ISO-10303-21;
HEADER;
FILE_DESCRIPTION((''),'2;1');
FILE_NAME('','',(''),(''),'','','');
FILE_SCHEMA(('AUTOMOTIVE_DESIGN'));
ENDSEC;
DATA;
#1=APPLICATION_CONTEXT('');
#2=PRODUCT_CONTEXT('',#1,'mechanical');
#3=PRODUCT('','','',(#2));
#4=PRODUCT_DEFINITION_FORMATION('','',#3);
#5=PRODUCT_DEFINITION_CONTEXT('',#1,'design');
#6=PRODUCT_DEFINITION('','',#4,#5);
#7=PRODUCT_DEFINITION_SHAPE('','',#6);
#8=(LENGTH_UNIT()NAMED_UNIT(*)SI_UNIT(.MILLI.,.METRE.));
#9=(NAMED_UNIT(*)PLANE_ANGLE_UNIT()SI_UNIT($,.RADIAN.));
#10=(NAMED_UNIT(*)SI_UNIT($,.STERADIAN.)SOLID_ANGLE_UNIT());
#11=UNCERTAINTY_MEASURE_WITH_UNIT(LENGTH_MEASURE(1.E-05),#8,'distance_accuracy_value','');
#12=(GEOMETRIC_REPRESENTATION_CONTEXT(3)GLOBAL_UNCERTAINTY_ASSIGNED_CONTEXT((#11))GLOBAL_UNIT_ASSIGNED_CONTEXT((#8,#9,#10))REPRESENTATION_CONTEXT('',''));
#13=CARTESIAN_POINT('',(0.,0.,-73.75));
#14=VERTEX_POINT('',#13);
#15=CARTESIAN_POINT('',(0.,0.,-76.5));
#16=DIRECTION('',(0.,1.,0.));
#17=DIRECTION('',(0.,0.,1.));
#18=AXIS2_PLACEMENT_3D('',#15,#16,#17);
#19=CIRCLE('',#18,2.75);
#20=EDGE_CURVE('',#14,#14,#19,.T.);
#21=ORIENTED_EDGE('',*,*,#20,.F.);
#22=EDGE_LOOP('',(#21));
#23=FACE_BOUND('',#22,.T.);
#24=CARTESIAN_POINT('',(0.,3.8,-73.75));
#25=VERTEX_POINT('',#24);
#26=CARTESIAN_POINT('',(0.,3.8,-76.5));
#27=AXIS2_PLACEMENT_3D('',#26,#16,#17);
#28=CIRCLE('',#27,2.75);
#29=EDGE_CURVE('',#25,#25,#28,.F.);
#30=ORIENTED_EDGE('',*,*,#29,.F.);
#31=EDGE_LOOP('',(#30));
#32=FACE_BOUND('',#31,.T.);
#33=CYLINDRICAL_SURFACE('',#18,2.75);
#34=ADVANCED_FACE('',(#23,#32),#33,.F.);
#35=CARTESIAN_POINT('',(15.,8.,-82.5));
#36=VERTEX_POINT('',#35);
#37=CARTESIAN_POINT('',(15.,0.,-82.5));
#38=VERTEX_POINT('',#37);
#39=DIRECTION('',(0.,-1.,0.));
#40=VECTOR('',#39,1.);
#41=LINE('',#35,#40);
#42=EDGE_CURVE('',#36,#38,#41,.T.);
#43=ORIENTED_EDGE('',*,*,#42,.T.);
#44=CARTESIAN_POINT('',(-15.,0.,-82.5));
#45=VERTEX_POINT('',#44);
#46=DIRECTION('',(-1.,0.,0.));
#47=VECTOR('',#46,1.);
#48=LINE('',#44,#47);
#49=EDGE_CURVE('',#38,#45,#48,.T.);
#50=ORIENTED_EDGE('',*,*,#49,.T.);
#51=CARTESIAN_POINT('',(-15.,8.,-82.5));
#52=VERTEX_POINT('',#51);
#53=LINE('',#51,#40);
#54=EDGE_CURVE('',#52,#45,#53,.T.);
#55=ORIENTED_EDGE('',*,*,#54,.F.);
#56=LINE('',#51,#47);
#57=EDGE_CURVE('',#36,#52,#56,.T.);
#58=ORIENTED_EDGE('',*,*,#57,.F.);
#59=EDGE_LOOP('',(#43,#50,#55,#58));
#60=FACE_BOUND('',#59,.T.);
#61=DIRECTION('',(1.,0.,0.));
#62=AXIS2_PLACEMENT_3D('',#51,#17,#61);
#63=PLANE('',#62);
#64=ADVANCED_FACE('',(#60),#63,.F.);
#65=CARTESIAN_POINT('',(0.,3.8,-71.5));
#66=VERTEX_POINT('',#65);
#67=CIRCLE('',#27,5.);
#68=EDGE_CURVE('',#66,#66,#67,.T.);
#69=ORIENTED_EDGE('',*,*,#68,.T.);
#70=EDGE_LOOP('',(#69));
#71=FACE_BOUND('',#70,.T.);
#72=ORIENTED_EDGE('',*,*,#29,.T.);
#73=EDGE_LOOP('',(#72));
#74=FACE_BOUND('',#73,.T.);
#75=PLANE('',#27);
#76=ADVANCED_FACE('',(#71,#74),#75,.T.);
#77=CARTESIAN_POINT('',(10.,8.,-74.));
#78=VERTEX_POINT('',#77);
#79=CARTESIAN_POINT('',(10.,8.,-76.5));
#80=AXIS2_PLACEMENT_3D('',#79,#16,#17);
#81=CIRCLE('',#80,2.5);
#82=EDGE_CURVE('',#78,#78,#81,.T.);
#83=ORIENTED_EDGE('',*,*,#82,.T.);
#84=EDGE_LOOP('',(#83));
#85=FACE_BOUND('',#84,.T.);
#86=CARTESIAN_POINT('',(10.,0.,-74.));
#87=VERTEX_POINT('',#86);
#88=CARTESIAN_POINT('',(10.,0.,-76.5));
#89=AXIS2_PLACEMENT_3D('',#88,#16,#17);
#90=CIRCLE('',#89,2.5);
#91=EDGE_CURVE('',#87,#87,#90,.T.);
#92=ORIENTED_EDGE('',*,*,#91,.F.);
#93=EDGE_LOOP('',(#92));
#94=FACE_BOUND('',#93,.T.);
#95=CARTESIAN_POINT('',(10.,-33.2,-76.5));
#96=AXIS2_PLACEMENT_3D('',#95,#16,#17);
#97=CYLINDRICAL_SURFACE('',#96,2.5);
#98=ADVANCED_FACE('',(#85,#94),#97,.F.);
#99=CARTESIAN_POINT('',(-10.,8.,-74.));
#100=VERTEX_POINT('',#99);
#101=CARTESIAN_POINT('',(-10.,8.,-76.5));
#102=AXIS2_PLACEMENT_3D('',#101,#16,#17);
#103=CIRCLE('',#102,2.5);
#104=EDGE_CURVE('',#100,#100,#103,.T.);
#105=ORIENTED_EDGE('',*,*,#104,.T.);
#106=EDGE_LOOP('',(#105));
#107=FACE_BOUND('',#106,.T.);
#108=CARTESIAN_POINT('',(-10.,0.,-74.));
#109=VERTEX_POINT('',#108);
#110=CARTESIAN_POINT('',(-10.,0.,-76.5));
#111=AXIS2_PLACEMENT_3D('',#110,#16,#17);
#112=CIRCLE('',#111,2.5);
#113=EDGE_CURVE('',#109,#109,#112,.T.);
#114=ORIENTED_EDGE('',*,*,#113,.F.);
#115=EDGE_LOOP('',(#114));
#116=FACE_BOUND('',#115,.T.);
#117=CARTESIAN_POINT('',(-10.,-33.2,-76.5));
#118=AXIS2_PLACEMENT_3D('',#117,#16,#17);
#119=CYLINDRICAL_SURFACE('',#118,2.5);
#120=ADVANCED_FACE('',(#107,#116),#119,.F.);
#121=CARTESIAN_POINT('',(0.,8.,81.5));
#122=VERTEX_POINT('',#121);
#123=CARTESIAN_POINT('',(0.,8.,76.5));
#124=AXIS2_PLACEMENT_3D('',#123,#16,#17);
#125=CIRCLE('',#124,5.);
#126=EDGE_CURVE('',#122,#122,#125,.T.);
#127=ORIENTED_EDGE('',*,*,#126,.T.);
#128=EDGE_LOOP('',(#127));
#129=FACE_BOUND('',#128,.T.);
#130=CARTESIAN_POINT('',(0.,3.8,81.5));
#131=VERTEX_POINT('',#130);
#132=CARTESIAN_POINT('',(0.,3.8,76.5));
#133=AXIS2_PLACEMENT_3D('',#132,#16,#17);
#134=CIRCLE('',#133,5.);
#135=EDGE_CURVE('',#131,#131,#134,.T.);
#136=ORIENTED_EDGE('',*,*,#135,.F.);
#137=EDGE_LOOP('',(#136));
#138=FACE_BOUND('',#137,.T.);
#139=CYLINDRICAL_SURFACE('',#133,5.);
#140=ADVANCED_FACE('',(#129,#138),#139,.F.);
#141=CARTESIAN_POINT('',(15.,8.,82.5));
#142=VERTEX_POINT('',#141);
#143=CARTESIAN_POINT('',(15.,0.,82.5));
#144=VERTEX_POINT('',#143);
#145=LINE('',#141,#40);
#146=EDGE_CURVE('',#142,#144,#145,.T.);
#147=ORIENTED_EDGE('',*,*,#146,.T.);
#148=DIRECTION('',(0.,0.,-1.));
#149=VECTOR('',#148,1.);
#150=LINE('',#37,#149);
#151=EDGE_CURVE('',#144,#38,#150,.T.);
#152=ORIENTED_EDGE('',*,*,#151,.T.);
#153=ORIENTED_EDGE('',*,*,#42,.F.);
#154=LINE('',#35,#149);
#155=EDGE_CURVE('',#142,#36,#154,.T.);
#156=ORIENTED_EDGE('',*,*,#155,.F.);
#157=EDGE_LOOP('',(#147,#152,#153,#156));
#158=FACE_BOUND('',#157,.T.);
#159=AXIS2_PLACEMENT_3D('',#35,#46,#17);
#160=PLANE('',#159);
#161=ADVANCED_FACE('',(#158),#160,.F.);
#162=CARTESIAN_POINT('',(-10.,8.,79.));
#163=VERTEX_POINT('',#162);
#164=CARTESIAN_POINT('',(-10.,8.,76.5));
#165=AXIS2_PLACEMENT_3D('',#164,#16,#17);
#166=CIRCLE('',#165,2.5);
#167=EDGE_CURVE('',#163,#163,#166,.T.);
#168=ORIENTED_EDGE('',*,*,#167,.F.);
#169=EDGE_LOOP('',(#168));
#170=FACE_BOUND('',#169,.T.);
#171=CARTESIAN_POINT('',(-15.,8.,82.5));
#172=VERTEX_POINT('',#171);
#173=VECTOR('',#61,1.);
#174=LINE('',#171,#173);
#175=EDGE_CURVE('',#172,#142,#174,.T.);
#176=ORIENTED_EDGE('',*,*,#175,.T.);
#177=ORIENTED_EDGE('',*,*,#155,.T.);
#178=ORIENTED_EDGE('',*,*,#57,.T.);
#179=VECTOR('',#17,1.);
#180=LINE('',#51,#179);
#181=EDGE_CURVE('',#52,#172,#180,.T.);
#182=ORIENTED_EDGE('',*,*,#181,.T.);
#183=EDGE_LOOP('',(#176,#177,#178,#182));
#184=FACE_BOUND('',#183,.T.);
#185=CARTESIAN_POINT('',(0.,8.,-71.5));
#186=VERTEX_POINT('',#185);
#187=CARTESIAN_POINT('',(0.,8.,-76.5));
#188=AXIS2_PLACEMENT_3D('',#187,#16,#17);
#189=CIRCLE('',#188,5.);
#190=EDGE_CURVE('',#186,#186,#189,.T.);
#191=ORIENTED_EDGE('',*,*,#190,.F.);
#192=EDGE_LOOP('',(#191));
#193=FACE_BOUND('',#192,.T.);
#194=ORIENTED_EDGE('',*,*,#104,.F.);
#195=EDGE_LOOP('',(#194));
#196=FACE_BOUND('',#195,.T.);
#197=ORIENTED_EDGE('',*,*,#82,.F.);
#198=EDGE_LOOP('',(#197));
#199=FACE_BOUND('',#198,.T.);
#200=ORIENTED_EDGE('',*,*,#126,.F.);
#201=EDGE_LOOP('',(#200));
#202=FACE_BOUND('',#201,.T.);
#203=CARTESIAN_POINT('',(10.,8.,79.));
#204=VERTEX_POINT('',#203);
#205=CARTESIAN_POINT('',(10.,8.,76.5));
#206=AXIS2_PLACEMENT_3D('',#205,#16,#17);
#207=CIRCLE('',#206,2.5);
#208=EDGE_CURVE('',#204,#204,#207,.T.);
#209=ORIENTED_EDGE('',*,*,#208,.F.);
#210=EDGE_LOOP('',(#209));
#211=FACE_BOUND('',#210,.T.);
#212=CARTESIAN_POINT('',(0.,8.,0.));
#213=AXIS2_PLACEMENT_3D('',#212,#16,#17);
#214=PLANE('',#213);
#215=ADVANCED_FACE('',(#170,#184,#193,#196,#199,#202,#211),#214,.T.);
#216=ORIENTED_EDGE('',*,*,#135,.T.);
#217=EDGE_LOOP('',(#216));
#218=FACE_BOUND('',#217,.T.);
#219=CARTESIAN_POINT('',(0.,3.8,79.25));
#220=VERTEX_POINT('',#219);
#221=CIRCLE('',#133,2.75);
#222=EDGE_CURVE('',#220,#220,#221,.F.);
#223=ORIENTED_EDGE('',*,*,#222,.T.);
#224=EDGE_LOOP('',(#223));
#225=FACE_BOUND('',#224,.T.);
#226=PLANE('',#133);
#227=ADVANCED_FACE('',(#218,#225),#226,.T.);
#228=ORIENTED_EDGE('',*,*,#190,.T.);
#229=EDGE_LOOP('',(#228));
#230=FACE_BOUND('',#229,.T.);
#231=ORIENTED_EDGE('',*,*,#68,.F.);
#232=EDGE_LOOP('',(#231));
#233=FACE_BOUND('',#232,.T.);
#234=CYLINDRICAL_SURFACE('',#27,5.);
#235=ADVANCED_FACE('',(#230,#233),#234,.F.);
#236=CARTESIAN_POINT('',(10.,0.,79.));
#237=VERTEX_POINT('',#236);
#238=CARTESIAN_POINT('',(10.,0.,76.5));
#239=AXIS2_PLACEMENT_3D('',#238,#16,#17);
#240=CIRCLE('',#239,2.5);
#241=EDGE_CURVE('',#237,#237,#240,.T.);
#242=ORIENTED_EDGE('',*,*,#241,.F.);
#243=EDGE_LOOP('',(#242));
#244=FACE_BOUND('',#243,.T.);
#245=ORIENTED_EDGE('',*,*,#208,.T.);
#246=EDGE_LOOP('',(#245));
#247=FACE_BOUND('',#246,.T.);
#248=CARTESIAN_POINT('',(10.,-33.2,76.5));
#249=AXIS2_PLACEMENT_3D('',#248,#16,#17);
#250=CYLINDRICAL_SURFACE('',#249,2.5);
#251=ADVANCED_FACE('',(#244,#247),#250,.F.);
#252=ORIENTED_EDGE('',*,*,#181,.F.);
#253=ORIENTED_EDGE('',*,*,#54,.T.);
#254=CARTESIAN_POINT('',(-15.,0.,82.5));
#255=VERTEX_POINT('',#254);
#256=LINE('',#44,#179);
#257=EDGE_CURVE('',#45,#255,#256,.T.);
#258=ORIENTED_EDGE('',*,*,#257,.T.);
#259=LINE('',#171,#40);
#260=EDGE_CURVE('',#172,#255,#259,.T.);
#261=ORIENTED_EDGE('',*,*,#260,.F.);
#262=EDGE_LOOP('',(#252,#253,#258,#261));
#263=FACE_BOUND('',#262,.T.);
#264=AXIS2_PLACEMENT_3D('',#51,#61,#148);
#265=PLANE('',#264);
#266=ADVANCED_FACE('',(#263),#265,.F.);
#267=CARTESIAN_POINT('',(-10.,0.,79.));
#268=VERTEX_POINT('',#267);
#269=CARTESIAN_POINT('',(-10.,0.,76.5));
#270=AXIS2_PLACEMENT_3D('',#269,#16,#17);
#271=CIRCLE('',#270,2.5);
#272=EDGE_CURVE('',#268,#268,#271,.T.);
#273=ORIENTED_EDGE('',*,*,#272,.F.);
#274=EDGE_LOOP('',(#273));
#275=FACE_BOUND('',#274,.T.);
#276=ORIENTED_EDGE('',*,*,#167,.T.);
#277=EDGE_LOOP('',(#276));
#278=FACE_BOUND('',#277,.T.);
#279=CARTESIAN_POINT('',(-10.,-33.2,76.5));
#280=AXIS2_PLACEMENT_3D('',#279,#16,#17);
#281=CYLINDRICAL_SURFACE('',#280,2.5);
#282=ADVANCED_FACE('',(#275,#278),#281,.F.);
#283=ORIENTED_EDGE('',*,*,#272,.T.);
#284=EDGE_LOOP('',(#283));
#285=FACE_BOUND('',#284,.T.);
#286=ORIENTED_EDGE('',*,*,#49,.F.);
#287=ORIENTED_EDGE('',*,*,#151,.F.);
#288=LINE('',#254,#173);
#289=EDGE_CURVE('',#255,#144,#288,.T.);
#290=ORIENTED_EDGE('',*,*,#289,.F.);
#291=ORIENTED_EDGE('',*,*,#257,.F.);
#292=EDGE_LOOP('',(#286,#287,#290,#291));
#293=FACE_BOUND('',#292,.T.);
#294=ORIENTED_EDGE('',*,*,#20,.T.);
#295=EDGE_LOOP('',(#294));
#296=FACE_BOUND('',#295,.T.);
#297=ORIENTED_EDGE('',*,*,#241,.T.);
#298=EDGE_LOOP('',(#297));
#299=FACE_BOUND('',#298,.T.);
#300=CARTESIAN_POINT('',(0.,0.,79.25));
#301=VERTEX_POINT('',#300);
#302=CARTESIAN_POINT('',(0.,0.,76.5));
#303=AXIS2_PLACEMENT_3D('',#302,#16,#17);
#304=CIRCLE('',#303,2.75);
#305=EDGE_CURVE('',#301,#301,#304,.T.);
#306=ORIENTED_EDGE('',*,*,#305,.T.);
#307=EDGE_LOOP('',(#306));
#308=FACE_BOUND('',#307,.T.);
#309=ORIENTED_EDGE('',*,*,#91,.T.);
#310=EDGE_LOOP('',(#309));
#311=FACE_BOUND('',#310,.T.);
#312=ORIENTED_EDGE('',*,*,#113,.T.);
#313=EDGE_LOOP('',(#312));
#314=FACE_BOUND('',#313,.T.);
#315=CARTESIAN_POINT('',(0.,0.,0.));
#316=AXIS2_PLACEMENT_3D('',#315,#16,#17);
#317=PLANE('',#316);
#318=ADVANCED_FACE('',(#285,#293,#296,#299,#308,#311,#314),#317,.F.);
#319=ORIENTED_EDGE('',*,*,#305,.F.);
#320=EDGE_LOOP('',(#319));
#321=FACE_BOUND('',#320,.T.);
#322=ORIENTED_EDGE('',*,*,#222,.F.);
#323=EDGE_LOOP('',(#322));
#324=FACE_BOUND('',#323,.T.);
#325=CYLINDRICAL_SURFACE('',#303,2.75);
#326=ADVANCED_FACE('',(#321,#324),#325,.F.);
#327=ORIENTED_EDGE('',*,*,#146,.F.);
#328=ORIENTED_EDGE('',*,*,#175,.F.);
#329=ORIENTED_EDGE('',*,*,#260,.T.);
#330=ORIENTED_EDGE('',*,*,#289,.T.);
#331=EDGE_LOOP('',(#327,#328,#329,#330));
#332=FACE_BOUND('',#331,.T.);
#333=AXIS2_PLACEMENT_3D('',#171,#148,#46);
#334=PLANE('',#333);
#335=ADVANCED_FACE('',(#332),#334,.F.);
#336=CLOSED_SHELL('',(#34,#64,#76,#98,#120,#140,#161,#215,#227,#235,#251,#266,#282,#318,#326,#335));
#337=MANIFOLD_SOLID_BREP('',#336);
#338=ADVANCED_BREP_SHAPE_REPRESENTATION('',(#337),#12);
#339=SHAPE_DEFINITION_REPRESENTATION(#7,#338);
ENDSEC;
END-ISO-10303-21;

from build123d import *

# Parameters (mm, degrees)
SKETCH2_W           = 30
SKETCH2_H           = 165
BOSS_EXTRUDE1_DEPTH = 8
SKETCH3_R           = 2.75
CUT_EXTRUDE1_DEPTH  = 8
SKETCH4_R           = 5
CUT_EXTRUDE2_DEPTH  = 4.2
SKETCH5_R           = 2.5
CUT_EXTRUDE3_DEPTH  = 41.2


with BuildPart() as part:
    # Sketch2 → Boss-Extrude1 (new body)
    with BuildSketch(Plane(origin=(0, 0, 0), x_dir=(1, 0, 0), z_dir=(0, 1, 0))):
        Rectangle(SKETCH2_W, SKETCH2_H)
    extrude(amount=BOSS_EXTRUDE1_DEPTH)

    # Sketch3 → Cut-Extrude1 (cut)
    with BuildSketch(Plane(origin=(0, 8, 0), x_dir=(1, 0, 0), z_dir=(0, 1, 0))):
        with Locations((0, -76.5)):
            Circle(SKETCH3_R)
        with Locations((0, 76.5)):
            Circle(SKETCH3_R)
    extrude(amount=-CUT_EXTRUDE1_DEPTH, mode=Mode.SUBTRACT)

    # Sketch4 → Cut-Extrude2 (cut)
    with BuildSketch(Plane(origin=(0, 8, 0), x_dir=(1, 0, 0), z_dir=(0, 1, 0))):
        with Locations((0, 76.5)):
            Circle(SKETCH4_R)
        with Locations((0, -76.5)):
            Circle(SKETCH4_R)
    extrude(amount=-CUT_EXTRUDE2_DEPTH, mode=Mode.SUBTRACT)

    # Sketch5 → Cut-Extrude3 (cut)
    with BuildSketch(Plane(origin=(0, 8, 0), x_dir=(1, 0, 0), z_dir=(0, 1, 0))):
        with Locations((-10, 76.5)):
            Circle(SKETCH5_R)
        with Locations((10, 76.5)):
            Circle(SKETCH5_R)
        with Locations((-10, -76.5)):
            Circle(SKETCH5_R)
        with Locations((10, -76.5)):
            Circle(SKETCH5_R)
    extrude(amount=-CUT_EXTRUDE3_DEPTH, mode=Mode.SUBTRACT)


solid = part.part
